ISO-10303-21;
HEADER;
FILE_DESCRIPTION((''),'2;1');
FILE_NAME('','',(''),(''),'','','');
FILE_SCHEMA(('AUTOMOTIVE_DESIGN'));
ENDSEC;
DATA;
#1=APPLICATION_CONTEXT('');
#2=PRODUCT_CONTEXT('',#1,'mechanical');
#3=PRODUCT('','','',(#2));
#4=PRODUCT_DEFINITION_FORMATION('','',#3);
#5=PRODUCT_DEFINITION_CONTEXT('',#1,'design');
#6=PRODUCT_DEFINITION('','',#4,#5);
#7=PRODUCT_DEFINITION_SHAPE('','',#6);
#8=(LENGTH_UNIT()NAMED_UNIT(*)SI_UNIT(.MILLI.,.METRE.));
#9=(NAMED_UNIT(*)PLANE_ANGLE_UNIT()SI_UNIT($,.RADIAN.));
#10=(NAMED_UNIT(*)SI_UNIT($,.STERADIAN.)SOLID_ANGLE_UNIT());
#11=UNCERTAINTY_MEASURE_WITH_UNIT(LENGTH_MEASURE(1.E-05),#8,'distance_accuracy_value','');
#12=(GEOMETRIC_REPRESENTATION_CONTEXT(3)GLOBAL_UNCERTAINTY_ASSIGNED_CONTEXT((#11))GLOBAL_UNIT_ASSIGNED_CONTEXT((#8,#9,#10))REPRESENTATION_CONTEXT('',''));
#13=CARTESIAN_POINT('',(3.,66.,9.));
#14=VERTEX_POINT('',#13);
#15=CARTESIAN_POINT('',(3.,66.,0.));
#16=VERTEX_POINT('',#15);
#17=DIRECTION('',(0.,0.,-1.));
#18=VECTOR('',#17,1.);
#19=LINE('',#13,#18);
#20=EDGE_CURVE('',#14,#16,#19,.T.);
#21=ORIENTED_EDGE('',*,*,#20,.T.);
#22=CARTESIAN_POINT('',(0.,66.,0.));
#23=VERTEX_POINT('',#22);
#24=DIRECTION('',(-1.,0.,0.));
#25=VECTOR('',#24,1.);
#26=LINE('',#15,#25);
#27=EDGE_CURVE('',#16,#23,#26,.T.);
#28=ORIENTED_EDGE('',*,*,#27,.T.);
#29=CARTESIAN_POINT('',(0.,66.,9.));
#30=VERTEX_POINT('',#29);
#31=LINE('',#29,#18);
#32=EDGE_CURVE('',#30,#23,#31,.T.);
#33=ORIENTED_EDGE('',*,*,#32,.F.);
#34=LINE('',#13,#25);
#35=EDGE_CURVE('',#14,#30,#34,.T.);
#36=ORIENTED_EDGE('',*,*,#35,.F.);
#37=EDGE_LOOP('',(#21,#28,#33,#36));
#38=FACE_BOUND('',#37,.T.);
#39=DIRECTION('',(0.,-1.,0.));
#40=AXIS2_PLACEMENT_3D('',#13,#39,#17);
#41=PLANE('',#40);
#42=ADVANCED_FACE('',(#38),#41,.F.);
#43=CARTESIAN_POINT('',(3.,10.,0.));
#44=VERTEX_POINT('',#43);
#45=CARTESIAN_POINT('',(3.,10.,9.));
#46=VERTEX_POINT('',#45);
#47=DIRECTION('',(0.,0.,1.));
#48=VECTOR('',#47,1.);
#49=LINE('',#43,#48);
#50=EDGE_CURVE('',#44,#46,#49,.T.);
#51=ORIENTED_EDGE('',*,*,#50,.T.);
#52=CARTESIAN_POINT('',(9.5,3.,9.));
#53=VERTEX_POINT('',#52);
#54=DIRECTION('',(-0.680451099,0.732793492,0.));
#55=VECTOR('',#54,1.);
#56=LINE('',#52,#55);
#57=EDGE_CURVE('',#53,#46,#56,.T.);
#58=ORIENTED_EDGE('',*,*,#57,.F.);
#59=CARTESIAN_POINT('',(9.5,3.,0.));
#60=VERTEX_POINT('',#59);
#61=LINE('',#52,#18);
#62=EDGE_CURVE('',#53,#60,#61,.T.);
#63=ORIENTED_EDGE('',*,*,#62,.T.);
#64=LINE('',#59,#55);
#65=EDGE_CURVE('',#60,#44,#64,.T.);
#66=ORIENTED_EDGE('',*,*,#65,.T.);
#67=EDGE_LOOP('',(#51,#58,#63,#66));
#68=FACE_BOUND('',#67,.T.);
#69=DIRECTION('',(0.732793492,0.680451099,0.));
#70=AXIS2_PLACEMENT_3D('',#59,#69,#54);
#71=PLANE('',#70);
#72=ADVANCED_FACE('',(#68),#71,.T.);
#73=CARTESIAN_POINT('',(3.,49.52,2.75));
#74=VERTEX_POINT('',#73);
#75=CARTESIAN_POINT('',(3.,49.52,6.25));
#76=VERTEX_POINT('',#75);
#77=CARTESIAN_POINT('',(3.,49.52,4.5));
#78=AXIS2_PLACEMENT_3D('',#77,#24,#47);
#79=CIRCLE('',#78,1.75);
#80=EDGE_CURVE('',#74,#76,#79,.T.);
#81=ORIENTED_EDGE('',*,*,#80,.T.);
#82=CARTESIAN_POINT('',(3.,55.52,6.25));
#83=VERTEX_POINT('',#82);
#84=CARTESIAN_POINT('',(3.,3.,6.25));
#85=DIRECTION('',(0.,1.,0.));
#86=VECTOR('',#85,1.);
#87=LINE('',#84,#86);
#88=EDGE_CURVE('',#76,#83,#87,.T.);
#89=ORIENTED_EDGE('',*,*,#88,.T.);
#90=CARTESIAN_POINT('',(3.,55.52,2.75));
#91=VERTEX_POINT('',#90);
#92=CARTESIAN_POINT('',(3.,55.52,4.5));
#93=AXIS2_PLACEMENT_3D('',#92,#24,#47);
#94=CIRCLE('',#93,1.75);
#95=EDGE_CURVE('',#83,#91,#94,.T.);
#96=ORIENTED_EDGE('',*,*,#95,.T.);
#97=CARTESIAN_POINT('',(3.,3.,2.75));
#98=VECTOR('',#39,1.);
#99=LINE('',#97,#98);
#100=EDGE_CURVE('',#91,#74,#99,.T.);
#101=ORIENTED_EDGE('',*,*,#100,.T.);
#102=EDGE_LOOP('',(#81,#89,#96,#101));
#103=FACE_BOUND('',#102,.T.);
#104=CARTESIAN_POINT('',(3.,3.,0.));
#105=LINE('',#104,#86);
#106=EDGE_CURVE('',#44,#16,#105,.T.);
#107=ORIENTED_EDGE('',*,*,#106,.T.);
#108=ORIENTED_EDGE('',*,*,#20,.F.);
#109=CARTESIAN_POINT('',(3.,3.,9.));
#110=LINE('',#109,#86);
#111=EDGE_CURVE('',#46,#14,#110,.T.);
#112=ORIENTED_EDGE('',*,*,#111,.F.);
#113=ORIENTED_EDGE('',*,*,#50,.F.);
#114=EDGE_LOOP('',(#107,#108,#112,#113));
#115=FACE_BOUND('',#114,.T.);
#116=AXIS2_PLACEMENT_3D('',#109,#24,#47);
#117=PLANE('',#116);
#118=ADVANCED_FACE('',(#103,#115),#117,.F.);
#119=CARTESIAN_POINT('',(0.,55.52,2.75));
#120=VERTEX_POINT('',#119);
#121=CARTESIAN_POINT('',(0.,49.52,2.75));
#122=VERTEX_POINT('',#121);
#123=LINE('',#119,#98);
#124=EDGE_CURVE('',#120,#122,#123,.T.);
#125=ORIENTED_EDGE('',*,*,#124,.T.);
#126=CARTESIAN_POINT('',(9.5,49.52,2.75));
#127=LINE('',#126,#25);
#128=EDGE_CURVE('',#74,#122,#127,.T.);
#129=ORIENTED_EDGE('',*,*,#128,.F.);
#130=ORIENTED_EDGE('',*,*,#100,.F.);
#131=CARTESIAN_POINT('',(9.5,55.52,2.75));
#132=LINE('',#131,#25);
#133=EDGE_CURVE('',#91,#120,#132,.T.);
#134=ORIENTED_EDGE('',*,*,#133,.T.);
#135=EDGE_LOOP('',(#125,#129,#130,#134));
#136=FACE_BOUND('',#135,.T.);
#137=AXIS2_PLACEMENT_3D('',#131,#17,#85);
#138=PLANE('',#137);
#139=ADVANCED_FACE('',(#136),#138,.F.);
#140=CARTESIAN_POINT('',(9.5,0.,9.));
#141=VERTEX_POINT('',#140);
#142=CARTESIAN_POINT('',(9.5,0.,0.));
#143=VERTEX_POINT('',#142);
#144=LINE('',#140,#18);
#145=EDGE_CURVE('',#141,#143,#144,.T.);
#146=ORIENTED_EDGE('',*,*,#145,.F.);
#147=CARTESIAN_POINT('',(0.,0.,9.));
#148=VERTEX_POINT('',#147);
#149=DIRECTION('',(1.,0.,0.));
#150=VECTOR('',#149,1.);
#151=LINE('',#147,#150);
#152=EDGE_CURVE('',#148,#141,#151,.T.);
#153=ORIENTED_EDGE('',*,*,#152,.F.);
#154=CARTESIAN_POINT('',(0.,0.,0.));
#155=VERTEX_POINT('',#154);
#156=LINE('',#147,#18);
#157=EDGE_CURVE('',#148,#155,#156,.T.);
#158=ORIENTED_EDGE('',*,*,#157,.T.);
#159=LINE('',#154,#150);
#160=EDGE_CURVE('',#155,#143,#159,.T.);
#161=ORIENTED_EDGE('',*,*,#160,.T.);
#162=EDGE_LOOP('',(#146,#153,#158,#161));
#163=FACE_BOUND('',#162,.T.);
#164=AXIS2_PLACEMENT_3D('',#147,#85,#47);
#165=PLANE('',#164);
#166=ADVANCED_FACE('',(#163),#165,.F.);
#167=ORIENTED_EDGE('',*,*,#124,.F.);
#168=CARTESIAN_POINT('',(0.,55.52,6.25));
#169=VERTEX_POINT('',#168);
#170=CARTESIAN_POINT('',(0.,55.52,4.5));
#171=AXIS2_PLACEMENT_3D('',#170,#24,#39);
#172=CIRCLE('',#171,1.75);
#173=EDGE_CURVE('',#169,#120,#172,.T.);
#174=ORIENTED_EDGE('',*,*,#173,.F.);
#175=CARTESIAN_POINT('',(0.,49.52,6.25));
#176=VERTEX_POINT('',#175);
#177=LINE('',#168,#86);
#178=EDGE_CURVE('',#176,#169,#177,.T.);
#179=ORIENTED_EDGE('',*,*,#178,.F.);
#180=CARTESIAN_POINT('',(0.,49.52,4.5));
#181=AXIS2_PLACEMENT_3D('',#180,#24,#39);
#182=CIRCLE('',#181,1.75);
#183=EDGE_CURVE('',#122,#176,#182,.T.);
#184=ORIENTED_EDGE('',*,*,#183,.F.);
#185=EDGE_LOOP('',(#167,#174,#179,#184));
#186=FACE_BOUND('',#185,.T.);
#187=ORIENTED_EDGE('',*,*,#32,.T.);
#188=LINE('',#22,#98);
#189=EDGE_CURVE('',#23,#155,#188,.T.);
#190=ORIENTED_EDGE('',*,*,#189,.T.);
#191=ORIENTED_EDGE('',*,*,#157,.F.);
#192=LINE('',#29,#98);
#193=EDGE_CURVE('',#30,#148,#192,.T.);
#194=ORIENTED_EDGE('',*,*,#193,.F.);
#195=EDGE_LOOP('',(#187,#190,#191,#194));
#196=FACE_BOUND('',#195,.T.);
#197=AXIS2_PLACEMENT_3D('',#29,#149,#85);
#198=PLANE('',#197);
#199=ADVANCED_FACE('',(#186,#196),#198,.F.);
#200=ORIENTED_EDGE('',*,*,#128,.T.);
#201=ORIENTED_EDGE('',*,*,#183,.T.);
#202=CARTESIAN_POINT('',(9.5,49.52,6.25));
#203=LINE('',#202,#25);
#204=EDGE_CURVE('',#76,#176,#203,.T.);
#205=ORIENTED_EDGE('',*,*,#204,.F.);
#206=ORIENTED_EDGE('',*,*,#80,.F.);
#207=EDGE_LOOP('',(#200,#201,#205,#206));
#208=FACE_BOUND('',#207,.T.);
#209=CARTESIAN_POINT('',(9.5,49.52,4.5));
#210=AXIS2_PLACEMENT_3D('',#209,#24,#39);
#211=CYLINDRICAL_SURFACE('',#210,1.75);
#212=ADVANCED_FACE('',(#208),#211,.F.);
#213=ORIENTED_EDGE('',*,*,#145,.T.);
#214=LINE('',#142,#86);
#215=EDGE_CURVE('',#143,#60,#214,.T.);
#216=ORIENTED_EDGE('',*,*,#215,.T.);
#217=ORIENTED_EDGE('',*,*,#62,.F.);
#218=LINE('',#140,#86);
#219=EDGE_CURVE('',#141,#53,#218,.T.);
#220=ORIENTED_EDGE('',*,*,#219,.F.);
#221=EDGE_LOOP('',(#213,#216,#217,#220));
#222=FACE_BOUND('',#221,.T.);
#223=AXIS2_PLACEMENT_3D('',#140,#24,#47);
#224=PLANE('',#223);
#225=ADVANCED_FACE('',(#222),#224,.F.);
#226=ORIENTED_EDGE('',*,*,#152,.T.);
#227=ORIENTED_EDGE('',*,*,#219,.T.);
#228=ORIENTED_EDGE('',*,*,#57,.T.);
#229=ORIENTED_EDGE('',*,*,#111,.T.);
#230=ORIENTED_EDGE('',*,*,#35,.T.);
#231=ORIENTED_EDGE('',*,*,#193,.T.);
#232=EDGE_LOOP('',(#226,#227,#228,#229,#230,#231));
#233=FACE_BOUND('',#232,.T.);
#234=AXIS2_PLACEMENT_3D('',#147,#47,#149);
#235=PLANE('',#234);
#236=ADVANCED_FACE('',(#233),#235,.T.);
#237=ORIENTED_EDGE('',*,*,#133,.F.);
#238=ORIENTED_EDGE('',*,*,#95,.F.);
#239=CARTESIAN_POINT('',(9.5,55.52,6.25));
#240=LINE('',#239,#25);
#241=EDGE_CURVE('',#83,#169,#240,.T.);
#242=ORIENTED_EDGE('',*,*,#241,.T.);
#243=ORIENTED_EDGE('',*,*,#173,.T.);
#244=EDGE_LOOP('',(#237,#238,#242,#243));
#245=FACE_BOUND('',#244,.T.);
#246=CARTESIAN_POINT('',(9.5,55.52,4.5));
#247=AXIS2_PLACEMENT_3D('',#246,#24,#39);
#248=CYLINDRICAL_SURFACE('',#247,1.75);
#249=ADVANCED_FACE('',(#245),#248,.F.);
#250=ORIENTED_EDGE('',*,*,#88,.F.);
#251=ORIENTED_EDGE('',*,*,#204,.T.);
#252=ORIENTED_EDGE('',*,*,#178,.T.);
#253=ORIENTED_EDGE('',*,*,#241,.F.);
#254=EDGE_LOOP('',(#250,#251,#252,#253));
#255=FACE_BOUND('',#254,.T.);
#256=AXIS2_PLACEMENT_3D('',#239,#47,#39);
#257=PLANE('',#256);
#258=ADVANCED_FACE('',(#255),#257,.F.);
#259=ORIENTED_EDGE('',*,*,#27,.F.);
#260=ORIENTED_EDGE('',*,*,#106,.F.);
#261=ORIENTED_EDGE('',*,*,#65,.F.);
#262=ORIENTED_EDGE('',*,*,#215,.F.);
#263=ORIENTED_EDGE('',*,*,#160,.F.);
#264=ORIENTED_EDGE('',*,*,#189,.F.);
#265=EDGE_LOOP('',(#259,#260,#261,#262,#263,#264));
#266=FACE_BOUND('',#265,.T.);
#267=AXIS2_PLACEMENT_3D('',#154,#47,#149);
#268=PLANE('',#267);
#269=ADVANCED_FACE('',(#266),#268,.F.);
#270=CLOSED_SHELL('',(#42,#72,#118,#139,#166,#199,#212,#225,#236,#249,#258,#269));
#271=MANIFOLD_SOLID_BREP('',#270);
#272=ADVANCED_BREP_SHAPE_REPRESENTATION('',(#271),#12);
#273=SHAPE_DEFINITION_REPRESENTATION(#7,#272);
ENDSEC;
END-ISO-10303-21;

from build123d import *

# Parameters (mm, degrees)
EXTRUDE_1_DEPTH     = 9
CUT_EXTRUDE_2_DEPTH = 68.284842275
EXTRUDE_2_DEPTH     = 9


with BuildPart() as part:
    # Эскиз1 → Бобышка-Вытянуть1 (new body)
    with BuildSketch(Plane.XY):
        Polygon((0, 0), (9.5, 0), (9.5, 3), (3, 3), (3, 66), (0, 66), align=None)
    extrude(amount=EXTRUDE_1_DEPTH)

    # Эскиз4 → Вырез-Вытянуть2 (cut, through all)
    with BuildSketch(Plane.ZY):
        with BuildLine():
            Line((6.25, 55.52), (6.25, 49.52))
            ThreePointArc((6.25, 49.52), (4.5, 47.77), (2.75, 49.52))
            Line((2.75, 49.52), (2.75, 55.52))
            ThreePointArc((2.75, 55.52), (4.5, 57.27), (6.25, 55.52))
        make_face()
    extrude(amount=-CUT_EXTRUDE_2_DEPTH, mode=Mode.SUBTRACT)

    # Эскиз5 → Бобышка-Вытянуть2 (add, through all)
    with BuildSketch(Plane.XY.offset(9)):
        Polygon((3, 3), (3, 10), (9.5, 3), align=None)
    extrude(amount=-EXTRUDE_2_DEPTH)


solid = part.part
